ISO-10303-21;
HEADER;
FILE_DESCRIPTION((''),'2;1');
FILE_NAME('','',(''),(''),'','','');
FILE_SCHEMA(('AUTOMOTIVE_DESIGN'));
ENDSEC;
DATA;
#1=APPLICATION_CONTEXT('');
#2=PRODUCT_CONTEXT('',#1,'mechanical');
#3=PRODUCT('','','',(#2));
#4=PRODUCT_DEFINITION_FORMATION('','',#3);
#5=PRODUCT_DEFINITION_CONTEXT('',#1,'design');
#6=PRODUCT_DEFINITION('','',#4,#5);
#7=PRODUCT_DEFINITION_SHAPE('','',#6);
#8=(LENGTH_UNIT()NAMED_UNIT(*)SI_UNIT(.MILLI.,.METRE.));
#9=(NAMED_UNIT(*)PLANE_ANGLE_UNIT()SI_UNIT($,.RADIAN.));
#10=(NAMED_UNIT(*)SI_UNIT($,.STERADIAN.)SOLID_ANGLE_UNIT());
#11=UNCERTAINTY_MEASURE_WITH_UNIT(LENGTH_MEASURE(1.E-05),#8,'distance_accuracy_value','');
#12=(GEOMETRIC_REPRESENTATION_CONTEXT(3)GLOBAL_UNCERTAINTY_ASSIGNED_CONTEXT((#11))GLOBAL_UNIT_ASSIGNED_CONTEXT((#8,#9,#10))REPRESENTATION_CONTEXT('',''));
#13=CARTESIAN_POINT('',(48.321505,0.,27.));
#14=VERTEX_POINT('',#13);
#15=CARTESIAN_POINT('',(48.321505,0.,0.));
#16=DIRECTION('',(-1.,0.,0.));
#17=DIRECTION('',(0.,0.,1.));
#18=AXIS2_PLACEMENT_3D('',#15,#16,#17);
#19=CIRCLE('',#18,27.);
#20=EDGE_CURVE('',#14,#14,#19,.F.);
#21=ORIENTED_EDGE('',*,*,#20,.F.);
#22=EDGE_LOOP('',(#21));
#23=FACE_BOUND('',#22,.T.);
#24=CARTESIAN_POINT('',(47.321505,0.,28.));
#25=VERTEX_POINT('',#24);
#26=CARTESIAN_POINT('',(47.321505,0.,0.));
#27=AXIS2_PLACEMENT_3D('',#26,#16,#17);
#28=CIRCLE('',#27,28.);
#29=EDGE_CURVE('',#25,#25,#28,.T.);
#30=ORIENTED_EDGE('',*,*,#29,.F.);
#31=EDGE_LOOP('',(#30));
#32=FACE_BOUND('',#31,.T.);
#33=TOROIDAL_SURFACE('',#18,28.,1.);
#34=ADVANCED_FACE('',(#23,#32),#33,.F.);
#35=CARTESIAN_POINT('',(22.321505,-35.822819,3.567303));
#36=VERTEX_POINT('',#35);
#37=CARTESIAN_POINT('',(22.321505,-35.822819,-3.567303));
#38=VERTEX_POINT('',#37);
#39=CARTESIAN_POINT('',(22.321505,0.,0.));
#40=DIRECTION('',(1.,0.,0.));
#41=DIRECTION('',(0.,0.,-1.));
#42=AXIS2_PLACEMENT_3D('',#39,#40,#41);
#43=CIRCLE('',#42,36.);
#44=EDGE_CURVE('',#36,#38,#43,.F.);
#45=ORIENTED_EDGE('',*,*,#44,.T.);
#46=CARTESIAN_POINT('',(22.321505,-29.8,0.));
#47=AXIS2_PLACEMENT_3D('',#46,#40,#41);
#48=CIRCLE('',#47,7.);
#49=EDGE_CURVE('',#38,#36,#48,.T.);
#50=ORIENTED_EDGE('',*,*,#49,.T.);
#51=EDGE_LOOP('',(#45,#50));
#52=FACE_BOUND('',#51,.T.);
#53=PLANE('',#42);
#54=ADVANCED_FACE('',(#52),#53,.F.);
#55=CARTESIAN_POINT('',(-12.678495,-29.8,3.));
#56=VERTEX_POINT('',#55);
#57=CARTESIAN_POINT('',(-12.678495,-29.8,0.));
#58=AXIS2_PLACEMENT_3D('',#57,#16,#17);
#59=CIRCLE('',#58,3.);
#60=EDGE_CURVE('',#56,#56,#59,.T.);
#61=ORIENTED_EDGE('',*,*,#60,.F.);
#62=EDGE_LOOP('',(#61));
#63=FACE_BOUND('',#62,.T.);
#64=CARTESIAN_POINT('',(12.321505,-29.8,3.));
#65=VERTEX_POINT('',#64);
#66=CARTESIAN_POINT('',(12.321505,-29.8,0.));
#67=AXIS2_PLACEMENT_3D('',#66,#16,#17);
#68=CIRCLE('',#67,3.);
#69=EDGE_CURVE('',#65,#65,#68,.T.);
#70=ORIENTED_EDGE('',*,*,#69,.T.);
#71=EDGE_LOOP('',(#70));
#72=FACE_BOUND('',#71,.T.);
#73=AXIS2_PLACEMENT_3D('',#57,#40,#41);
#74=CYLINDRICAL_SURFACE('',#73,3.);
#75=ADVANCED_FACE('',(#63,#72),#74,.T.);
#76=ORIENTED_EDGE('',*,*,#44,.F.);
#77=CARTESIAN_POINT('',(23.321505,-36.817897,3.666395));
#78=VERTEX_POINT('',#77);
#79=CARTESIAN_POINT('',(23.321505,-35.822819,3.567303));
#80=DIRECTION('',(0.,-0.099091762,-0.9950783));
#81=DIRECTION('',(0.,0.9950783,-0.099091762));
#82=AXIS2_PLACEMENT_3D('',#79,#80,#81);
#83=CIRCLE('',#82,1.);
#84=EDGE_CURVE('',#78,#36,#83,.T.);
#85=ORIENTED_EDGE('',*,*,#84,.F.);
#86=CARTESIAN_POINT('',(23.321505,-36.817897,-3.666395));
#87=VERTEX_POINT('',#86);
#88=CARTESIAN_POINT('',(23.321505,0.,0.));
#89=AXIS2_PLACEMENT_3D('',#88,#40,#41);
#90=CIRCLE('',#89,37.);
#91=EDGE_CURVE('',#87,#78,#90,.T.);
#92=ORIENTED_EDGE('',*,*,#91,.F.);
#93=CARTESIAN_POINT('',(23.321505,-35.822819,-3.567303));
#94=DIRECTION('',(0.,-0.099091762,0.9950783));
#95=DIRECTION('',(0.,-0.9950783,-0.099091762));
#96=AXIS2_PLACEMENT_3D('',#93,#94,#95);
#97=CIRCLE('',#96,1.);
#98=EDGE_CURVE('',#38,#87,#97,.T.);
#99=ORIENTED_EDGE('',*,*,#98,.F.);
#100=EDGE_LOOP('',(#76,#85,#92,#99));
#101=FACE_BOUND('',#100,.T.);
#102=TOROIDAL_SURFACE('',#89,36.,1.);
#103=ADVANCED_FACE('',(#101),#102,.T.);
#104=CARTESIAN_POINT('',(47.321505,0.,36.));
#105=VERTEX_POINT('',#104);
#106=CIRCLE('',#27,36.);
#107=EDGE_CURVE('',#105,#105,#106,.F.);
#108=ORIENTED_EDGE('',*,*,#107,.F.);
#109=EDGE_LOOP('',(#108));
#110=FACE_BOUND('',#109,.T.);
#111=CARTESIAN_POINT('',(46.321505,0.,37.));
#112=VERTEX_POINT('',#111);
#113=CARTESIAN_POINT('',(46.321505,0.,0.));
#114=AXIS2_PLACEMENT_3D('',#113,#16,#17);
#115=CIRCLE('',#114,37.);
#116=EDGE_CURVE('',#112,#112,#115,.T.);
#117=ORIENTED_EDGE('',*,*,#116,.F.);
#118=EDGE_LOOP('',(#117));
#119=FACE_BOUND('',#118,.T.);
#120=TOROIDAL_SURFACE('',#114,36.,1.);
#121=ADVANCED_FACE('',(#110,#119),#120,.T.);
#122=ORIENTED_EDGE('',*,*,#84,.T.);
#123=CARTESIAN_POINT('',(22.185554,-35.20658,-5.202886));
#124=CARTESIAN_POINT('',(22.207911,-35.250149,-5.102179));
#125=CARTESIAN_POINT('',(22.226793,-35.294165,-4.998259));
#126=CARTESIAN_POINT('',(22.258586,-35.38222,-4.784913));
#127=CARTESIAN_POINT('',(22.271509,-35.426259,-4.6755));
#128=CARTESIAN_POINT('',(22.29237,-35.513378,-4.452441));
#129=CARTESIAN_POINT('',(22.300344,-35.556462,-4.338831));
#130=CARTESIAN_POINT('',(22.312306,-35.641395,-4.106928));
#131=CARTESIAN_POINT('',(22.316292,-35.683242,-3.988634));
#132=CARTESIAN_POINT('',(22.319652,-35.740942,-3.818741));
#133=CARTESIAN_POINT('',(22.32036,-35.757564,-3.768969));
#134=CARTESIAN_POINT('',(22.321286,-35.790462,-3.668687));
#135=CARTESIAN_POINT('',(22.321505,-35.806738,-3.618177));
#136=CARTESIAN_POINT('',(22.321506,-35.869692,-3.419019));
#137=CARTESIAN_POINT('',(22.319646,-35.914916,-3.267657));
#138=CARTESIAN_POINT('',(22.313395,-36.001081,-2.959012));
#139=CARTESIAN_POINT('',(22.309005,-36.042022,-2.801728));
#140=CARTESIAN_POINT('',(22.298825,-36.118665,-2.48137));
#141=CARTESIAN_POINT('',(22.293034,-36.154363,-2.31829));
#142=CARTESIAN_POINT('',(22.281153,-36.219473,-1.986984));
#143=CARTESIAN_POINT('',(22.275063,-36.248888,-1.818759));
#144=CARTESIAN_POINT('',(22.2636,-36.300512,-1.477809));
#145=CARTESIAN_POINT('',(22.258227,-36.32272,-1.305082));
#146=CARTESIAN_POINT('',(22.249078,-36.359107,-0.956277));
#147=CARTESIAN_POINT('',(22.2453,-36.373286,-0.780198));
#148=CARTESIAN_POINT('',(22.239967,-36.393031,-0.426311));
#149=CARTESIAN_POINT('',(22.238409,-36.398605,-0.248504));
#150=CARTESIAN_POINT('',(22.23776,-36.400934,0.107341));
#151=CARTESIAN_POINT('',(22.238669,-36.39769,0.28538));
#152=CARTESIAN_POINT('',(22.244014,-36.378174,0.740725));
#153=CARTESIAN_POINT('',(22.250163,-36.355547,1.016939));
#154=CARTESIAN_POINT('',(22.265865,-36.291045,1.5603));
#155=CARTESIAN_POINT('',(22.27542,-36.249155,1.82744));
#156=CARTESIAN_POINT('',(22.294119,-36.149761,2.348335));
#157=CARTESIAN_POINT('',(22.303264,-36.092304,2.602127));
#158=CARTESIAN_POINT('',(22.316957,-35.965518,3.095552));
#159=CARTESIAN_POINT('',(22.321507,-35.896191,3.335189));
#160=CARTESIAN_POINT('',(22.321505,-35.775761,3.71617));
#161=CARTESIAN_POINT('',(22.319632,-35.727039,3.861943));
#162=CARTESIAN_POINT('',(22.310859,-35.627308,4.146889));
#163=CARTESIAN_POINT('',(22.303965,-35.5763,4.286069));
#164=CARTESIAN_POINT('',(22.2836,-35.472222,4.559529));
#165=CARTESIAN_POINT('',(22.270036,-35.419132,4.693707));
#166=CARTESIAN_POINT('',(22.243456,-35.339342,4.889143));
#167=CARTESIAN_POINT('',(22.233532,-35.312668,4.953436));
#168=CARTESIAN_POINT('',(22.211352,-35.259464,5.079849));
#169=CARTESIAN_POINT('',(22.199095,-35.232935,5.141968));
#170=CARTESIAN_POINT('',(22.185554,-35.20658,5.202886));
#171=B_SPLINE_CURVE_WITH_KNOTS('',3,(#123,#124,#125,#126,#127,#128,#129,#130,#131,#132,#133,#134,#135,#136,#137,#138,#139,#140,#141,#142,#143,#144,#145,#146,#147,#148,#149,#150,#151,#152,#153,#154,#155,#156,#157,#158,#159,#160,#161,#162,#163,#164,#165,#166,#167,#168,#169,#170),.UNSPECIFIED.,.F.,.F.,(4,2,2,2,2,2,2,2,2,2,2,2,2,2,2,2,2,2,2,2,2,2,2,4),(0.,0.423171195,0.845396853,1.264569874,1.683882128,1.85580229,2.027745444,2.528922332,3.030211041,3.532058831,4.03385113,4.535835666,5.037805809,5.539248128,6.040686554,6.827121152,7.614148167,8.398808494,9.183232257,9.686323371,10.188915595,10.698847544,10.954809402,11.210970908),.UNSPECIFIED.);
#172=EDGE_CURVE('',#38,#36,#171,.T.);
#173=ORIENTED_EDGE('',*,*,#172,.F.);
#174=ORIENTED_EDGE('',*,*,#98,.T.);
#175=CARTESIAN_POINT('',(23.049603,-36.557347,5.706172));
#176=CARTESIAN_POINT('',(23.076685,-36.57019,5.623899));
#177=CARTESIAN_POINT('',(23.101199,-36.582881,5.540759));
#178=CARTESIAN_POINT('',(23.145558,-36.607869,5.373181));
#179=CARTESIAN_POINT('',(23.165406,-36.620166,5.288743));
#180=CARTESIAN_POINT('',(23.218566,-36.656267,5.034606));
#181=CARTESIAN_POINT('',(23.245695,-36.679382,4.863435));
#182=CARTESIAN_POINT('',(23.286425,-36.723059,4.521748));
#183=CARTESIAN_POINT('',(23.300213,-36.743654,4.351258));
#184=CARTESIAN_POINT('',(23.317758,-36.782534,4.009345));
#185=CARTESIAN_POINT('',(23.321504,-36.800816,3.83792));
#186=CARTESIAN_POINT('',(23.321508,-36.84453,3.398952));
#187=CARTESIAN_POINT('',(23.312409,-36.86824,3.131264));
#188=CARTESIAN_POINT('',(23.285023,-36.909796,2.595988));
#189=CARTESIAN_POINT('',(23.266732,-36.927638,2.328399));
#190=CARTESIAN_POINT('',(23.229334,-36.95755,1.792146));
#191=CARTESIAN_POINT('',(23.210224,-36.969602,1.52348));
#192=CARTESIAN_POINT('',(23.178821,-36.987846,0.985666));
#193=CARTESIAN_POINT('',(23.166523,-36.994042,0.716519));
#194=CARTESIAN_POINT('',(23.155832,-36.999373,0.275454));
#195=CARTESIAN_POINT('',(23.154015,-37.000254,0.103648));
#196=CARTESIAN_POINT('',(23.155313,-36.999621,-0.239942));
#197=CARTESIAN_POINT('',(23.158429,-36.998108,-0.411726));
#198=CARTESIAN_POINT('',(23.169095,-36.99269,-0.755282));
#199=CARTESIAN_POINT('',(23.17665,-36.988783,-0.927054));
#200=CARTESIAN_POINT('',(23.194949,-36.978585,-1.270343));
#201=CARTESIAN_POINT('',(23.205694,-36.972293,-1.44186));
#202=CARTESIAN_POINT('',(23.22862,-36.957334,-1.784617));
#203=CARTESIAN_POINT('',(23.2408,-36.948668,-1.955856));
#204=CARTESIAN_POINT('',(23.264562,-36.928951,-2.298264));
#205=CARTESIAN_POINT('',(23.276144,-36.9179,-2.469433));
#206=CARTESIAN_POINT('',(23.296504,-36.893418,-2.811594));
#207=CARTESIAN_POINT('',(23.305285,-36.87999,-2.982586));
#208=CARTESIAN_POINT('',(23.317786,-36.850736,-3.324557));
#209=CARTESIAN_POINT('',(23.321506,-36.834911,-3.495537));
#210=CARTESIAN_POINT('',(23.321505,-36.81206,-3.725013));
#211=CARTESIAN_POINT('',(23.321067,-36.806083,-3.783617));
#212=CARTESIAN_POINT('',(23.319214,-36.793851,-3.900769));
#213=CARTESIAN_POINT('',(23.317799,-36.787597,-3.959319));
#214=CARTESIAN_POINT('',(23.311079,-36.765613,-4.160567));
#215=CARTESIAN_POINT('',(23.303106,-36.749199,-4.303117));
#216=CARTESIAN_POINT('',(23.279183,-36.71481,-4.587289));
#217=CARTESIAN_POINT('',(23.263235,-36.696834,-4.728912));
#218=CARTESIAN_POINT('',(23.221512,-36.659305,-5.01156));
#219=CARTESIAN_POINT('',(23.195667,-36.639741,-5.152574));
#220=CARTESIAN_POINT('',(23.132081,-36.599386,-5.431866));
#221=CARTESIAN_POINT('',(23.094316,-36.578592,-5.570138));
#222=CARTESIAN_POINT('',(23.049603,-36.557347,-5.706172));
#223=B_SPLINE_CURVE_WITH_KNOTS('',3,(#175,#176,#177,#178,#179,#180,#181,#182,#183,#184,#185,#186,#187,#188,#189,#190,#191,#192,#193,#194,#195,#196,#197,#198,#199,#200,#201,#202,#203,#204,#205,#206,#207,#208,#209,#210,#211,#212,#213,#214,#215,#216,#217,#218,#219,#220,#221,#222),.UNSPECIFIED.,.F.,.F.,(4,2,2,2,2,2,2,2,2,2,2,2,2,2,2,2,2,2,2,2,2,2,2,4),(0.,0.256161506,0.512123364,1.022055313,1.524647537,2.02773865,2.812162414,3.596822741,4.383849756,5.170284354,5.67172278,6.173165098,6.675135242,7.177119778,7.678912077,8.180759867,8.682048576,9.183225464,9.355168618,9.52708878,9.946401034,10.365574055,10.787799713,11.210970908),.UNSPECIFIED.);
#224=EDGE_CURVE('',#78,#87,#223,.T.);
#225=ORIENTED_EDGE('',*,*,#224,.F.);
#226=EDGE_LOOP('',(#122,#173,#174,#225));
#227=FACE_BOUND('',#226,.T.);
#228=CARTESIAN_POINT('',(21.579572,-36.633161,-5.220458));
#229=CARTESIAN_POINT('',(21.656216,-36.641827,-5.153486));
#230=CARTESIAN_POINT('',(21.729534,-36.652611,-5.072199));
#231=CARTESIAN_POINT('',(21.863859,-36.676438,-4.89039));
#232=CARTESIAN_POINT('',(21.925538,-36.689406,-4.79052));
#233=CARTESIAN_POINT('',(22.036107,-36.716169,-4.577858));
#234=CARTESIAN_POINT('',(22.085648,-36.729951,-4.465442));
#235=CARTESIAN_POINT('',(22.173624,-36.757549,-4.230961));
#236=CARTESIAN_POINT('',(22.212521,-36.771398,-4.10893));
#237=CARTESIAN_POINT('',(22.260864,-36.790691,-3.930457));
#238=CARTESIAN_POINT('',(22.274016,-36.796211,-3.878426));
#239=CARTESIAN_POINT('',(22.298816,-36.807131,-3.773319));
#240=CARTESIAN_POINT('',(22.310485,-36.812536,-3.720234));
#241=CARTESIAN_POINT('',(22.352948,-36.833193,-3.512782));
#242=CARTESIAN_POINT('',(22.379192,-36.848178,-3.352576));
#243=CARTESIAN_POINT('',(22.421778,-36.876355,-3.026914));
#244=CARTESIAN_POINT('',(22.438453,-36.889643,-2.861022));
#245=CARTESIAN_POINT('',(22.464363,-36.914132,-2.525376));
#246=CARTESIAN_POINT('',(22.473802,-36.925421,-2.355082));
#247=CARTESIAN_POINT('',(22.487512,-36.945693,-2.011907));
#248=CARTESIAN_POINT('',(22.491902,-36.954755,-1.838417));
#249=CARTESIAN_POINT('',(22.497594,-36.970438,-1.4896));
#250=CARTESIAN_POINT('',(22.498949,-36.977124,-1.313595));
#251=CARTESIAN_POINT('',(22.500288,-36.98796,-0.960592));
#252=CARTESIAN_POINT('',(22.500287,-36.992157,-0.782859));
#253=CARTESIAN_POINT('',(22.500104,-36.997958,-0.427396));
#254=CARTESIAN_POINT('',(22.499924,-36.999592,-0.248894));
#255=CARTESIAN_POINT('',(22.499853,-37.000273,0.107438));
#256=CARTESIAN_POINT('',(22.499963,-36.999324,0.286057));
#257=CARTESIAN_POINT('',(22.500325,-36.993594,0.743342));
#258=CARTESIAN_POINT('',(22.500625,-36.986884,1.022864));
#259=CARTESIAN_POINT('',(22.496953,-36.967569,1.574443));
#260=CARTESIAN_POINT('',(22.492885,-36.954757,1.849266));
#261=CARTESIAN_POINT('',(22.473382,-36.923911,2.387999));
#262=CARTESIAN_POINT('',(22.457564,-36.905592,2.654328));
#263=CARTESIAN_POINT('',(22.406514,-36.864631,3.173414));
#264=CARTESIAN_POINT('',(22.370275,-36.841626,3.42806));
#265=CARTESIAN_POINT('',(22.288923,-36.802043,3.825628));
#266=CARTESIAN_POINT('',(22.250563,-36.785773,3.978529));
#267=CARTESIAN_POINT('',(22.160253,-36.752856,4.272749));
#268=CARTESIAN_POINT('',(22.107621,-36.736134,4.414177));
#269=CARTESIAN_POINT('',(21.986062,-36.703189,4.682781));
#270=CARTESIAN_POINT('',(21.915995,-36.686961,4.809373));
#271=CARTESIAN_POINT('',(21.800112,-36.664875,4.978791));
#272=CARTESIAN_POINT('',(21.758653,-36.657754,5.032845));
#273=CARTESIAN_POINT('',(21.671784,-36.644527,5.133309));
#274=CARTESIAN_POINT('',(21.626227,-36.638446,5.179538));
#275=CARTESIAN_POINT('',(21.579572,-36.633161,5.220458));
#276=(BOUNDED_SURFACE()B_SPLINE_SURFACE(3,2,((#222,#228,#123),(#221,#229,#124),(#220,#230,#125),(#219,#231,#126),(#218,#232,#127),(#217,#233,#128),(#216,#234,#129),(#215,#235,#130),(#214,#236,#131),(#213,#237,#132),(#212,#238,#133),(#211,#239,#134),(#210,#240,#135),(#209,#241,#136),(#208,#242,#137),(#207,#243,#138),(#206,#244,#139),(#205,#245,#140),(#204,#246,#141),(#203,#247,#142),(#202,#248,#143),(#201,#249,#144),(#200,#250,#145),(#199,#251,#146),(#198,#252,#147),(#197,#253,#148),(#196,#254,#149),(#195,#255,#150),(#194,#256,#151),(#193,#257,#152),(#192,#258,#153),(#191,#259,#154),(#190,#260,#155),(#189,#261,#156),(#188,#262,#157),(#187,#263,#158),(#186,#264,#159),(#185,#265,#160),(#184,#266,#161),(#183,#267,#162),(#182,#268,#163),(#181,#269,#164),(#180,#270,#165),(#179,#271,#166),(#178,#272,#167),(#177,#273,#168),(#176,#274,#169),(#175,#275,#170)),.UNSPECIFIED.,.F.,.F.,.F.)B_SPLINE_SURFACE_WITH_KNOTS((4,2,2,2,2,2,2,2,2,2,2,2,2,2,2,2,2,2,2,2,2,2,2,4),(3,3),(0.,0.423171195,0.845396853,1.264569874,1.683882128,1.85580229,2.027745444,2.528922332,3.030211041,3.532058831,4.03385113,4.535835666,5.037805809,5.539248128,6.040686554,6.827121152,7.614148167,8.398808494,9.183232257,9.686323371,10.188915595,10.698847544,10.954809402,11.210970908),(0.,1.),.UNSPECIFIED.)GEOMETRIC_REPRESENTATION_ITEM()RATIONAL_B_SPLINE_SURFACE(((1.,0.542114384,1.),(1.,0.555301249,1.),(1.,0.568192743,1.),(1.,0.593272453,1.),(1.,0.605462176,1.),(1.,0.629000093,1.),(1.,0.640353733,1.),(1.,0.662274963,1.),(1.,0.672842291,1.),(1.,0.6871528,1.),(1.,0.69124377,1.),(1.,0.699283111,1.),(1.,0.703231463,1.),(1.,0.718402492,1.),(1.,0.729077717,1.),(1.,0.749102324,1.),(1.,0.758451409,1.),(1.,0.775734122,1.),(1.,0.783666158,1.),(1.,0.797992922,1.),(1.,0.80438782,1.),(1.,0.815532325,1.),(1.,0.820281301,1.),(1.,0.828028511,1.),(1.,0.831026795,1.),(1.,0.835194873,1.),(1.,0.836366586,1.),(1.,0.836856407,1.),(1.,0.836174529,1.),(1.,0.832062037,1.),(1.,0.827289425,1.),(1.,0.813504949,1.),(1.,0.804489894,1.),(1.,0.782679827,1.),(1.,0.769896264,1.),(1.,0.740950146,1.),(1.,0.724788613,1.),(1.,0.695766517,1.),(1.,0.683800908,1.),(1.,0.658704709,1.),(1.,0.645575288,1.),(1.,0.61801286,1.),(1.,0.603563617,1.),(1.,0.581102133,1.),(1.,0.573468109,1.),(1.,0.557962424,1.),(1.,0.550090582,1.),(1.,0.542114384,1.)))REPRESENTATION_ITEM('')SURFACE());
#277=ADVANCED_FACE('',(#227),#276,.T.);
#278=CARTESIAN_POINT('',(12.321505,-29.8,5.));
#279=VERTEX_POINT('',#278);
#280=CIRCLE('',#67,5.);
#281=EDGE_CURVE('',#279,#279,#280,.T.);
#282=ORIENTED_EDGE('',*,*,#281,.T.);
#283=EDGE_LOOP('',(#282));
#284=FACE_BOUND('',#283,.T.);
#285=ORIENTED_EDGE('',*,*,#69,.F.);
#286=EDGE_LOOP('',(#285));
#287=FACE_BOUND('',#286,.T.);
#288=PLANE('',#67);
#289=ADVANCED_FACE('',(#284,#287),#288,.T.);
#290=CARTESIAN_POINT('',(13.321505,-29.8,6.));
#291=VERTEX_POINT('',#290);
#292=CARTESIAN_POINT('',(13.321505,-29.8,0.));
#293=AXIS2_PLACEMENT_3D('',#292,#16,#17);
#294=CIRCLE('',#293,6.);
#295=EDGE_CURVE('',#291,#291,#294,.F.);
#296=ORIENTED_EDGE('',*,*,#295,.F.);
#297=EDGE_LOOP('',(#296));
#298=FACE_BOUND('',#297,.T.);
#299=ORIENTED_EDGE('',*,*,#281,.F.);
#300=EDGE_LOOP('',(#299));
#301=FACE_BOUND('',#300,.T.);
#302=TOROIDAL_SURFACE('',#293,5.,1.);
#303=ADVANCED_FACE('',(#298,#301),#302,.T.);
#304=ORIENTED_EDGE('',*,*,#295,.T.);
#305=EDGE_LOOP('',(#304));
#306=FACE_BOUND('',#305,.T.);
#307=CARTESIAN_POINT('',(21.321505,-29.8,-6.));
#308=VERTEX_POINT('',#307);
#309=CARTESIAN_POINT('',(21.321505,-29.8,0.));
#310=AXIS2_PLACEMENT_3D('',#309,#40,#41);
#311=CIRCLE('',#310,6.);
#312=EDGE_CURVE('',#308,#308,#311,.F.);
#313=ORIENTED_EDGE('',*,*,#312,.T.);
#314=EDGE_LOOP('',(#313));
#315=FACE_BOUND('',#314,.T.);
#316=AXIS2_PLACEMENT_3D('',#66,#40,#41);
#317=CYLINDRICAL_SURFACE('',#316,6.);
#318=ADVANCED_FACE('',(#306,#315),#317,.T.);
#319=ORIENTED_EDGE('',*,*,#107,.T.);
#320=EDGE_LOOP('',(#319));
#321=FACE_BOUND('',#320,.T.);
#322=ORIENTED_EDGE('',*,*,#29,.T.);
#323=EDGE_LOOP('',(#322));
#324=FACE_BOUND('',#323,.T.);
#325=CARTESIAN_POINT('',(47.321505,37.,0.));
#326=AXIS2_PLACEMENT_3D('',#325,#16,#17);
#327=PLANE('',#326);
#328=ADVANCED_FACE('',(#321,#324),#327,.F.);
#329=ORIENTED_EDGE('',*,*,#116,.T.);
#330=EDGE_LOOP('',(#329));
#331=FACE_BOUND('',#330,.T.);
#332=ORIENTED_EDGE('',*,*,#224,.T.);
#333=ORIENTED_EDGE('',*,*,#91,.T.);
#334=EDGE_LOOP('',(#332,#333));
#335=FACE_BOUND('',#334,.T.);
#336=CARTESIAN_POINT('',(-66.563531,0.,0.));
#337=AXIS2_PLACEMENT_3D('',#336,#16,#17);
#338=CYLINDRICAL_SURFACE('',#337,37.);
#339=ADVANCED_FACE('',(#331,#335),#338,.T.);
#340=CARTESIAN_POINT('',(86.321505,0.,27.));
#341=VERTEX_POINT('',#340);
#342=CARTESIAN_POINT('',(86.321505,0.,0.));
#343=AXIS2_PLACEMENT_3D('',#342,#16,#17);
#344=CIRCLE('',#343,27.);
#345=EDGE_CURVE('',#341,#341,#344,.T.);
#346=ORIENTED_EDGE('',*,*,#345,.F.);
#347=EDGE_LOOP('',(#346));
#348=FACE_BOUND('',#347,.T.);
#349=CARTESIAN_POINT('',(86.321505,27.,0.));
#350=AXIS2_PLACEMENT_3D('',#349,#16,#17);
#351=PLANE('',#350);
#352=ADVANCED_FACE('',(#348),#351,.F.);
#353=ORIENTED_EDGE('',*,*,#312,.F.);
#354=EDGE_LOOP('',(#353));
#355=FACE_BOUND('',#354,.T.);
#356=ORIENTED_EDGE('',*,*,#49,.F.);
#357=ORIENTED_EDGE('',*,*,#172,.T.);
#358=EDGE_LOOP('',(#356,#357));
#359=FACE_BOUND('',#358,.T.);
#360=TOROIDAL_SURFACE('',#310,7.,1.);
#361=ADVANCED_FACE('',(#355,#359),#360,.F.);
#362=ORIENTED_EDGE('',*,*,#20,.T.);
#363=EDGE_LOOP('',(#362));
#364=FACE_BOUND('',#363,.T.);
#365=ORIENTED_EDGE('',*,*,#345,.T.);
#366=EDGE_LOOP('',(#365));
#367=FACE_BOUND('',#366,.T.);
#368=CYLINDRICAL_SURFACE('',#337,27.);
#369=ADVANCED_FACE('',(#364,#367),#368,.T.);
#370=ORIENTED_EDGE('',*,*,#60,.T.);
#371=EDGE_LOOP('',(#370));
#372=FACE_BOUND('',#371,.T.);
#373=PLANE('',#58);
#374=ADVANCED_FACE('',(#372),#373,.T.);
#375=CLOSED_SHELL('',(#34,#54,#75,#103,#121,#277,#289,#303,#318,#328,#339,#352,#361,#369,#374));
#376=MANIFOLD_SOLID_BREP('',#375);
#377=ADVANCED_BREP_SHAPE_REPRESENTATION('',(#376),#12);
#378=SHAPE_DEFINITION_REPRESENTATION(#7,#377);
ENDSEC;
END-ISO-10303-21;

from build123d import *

# Parameters (mm, degrees)
SKETCH3_R           = 6
BOSS_EXTRUDE1_DEPTH = 10
FILLET1_R           = 1
FILLET2_R           = 1
SKETCH4_R           = 3
BOSS_EXTRUDE2_DEPTH = 25


with BuildPart() as part:
    # Sketch1 → Revolve1 (revolve)
    with BuildSketch(Plane.XY, mode=Mode.PRIVATE) as revolve1_sk:
        Polygon((86.321505474, 27), (47.321505474, 27), (47.321505474, 37), (22.321505474, 37), (22.321505474, 0), (86.321505474, 0), align=None)
    revolve(revolve1_sk.sketch.rotate(Axis((-66.563531294, 0, 0), (1, 0, 0)), 90), axis=Axis((-66.563531294, 0, 0), (1, 0, 0)))

    # Sketch3 → Boss-Extrude1 (add)
    with BuildSketch(Plane.ZY.offset(-22.321505474)):
        with Locations(Location((0, -29.8, 0), (0, 0, 180))):
            Circle(SKETCH3_R)
    extrude(amount=BOSS_EXTRUDE1_DEPTH)

    # Fillet1
    fillet1_edges = [part.edges().sort_by_distance(p)[0] for p in [
        (22.321505474, -29.8, 6),
        (12.321505474, -29.8, 6),
    ]]
    fillet(fillet1_edges, radius=FILLET1_R)

    # Fillet2
    fillet2_edges = [part.edges().sort_by_distance(p)[0] for p in [
        (47.321505474, 0, -37),
        (22.321505474, 0, -37),
        (47.321505474, 0, -27),
    ]]
    fillet(fillet2_edges, radius=FILLET2_R)

    # Sketch4 → Boss-Extrude2 (add)
    with BuildSketch(Plane.ZY.offset(-12.321505474)):
        with Locations((0, -29.8)):
            Circle(SKETCH4_R)
    extrude(amount=BOSS_EXTRUDE2_DEPTH)


solid = part.part
